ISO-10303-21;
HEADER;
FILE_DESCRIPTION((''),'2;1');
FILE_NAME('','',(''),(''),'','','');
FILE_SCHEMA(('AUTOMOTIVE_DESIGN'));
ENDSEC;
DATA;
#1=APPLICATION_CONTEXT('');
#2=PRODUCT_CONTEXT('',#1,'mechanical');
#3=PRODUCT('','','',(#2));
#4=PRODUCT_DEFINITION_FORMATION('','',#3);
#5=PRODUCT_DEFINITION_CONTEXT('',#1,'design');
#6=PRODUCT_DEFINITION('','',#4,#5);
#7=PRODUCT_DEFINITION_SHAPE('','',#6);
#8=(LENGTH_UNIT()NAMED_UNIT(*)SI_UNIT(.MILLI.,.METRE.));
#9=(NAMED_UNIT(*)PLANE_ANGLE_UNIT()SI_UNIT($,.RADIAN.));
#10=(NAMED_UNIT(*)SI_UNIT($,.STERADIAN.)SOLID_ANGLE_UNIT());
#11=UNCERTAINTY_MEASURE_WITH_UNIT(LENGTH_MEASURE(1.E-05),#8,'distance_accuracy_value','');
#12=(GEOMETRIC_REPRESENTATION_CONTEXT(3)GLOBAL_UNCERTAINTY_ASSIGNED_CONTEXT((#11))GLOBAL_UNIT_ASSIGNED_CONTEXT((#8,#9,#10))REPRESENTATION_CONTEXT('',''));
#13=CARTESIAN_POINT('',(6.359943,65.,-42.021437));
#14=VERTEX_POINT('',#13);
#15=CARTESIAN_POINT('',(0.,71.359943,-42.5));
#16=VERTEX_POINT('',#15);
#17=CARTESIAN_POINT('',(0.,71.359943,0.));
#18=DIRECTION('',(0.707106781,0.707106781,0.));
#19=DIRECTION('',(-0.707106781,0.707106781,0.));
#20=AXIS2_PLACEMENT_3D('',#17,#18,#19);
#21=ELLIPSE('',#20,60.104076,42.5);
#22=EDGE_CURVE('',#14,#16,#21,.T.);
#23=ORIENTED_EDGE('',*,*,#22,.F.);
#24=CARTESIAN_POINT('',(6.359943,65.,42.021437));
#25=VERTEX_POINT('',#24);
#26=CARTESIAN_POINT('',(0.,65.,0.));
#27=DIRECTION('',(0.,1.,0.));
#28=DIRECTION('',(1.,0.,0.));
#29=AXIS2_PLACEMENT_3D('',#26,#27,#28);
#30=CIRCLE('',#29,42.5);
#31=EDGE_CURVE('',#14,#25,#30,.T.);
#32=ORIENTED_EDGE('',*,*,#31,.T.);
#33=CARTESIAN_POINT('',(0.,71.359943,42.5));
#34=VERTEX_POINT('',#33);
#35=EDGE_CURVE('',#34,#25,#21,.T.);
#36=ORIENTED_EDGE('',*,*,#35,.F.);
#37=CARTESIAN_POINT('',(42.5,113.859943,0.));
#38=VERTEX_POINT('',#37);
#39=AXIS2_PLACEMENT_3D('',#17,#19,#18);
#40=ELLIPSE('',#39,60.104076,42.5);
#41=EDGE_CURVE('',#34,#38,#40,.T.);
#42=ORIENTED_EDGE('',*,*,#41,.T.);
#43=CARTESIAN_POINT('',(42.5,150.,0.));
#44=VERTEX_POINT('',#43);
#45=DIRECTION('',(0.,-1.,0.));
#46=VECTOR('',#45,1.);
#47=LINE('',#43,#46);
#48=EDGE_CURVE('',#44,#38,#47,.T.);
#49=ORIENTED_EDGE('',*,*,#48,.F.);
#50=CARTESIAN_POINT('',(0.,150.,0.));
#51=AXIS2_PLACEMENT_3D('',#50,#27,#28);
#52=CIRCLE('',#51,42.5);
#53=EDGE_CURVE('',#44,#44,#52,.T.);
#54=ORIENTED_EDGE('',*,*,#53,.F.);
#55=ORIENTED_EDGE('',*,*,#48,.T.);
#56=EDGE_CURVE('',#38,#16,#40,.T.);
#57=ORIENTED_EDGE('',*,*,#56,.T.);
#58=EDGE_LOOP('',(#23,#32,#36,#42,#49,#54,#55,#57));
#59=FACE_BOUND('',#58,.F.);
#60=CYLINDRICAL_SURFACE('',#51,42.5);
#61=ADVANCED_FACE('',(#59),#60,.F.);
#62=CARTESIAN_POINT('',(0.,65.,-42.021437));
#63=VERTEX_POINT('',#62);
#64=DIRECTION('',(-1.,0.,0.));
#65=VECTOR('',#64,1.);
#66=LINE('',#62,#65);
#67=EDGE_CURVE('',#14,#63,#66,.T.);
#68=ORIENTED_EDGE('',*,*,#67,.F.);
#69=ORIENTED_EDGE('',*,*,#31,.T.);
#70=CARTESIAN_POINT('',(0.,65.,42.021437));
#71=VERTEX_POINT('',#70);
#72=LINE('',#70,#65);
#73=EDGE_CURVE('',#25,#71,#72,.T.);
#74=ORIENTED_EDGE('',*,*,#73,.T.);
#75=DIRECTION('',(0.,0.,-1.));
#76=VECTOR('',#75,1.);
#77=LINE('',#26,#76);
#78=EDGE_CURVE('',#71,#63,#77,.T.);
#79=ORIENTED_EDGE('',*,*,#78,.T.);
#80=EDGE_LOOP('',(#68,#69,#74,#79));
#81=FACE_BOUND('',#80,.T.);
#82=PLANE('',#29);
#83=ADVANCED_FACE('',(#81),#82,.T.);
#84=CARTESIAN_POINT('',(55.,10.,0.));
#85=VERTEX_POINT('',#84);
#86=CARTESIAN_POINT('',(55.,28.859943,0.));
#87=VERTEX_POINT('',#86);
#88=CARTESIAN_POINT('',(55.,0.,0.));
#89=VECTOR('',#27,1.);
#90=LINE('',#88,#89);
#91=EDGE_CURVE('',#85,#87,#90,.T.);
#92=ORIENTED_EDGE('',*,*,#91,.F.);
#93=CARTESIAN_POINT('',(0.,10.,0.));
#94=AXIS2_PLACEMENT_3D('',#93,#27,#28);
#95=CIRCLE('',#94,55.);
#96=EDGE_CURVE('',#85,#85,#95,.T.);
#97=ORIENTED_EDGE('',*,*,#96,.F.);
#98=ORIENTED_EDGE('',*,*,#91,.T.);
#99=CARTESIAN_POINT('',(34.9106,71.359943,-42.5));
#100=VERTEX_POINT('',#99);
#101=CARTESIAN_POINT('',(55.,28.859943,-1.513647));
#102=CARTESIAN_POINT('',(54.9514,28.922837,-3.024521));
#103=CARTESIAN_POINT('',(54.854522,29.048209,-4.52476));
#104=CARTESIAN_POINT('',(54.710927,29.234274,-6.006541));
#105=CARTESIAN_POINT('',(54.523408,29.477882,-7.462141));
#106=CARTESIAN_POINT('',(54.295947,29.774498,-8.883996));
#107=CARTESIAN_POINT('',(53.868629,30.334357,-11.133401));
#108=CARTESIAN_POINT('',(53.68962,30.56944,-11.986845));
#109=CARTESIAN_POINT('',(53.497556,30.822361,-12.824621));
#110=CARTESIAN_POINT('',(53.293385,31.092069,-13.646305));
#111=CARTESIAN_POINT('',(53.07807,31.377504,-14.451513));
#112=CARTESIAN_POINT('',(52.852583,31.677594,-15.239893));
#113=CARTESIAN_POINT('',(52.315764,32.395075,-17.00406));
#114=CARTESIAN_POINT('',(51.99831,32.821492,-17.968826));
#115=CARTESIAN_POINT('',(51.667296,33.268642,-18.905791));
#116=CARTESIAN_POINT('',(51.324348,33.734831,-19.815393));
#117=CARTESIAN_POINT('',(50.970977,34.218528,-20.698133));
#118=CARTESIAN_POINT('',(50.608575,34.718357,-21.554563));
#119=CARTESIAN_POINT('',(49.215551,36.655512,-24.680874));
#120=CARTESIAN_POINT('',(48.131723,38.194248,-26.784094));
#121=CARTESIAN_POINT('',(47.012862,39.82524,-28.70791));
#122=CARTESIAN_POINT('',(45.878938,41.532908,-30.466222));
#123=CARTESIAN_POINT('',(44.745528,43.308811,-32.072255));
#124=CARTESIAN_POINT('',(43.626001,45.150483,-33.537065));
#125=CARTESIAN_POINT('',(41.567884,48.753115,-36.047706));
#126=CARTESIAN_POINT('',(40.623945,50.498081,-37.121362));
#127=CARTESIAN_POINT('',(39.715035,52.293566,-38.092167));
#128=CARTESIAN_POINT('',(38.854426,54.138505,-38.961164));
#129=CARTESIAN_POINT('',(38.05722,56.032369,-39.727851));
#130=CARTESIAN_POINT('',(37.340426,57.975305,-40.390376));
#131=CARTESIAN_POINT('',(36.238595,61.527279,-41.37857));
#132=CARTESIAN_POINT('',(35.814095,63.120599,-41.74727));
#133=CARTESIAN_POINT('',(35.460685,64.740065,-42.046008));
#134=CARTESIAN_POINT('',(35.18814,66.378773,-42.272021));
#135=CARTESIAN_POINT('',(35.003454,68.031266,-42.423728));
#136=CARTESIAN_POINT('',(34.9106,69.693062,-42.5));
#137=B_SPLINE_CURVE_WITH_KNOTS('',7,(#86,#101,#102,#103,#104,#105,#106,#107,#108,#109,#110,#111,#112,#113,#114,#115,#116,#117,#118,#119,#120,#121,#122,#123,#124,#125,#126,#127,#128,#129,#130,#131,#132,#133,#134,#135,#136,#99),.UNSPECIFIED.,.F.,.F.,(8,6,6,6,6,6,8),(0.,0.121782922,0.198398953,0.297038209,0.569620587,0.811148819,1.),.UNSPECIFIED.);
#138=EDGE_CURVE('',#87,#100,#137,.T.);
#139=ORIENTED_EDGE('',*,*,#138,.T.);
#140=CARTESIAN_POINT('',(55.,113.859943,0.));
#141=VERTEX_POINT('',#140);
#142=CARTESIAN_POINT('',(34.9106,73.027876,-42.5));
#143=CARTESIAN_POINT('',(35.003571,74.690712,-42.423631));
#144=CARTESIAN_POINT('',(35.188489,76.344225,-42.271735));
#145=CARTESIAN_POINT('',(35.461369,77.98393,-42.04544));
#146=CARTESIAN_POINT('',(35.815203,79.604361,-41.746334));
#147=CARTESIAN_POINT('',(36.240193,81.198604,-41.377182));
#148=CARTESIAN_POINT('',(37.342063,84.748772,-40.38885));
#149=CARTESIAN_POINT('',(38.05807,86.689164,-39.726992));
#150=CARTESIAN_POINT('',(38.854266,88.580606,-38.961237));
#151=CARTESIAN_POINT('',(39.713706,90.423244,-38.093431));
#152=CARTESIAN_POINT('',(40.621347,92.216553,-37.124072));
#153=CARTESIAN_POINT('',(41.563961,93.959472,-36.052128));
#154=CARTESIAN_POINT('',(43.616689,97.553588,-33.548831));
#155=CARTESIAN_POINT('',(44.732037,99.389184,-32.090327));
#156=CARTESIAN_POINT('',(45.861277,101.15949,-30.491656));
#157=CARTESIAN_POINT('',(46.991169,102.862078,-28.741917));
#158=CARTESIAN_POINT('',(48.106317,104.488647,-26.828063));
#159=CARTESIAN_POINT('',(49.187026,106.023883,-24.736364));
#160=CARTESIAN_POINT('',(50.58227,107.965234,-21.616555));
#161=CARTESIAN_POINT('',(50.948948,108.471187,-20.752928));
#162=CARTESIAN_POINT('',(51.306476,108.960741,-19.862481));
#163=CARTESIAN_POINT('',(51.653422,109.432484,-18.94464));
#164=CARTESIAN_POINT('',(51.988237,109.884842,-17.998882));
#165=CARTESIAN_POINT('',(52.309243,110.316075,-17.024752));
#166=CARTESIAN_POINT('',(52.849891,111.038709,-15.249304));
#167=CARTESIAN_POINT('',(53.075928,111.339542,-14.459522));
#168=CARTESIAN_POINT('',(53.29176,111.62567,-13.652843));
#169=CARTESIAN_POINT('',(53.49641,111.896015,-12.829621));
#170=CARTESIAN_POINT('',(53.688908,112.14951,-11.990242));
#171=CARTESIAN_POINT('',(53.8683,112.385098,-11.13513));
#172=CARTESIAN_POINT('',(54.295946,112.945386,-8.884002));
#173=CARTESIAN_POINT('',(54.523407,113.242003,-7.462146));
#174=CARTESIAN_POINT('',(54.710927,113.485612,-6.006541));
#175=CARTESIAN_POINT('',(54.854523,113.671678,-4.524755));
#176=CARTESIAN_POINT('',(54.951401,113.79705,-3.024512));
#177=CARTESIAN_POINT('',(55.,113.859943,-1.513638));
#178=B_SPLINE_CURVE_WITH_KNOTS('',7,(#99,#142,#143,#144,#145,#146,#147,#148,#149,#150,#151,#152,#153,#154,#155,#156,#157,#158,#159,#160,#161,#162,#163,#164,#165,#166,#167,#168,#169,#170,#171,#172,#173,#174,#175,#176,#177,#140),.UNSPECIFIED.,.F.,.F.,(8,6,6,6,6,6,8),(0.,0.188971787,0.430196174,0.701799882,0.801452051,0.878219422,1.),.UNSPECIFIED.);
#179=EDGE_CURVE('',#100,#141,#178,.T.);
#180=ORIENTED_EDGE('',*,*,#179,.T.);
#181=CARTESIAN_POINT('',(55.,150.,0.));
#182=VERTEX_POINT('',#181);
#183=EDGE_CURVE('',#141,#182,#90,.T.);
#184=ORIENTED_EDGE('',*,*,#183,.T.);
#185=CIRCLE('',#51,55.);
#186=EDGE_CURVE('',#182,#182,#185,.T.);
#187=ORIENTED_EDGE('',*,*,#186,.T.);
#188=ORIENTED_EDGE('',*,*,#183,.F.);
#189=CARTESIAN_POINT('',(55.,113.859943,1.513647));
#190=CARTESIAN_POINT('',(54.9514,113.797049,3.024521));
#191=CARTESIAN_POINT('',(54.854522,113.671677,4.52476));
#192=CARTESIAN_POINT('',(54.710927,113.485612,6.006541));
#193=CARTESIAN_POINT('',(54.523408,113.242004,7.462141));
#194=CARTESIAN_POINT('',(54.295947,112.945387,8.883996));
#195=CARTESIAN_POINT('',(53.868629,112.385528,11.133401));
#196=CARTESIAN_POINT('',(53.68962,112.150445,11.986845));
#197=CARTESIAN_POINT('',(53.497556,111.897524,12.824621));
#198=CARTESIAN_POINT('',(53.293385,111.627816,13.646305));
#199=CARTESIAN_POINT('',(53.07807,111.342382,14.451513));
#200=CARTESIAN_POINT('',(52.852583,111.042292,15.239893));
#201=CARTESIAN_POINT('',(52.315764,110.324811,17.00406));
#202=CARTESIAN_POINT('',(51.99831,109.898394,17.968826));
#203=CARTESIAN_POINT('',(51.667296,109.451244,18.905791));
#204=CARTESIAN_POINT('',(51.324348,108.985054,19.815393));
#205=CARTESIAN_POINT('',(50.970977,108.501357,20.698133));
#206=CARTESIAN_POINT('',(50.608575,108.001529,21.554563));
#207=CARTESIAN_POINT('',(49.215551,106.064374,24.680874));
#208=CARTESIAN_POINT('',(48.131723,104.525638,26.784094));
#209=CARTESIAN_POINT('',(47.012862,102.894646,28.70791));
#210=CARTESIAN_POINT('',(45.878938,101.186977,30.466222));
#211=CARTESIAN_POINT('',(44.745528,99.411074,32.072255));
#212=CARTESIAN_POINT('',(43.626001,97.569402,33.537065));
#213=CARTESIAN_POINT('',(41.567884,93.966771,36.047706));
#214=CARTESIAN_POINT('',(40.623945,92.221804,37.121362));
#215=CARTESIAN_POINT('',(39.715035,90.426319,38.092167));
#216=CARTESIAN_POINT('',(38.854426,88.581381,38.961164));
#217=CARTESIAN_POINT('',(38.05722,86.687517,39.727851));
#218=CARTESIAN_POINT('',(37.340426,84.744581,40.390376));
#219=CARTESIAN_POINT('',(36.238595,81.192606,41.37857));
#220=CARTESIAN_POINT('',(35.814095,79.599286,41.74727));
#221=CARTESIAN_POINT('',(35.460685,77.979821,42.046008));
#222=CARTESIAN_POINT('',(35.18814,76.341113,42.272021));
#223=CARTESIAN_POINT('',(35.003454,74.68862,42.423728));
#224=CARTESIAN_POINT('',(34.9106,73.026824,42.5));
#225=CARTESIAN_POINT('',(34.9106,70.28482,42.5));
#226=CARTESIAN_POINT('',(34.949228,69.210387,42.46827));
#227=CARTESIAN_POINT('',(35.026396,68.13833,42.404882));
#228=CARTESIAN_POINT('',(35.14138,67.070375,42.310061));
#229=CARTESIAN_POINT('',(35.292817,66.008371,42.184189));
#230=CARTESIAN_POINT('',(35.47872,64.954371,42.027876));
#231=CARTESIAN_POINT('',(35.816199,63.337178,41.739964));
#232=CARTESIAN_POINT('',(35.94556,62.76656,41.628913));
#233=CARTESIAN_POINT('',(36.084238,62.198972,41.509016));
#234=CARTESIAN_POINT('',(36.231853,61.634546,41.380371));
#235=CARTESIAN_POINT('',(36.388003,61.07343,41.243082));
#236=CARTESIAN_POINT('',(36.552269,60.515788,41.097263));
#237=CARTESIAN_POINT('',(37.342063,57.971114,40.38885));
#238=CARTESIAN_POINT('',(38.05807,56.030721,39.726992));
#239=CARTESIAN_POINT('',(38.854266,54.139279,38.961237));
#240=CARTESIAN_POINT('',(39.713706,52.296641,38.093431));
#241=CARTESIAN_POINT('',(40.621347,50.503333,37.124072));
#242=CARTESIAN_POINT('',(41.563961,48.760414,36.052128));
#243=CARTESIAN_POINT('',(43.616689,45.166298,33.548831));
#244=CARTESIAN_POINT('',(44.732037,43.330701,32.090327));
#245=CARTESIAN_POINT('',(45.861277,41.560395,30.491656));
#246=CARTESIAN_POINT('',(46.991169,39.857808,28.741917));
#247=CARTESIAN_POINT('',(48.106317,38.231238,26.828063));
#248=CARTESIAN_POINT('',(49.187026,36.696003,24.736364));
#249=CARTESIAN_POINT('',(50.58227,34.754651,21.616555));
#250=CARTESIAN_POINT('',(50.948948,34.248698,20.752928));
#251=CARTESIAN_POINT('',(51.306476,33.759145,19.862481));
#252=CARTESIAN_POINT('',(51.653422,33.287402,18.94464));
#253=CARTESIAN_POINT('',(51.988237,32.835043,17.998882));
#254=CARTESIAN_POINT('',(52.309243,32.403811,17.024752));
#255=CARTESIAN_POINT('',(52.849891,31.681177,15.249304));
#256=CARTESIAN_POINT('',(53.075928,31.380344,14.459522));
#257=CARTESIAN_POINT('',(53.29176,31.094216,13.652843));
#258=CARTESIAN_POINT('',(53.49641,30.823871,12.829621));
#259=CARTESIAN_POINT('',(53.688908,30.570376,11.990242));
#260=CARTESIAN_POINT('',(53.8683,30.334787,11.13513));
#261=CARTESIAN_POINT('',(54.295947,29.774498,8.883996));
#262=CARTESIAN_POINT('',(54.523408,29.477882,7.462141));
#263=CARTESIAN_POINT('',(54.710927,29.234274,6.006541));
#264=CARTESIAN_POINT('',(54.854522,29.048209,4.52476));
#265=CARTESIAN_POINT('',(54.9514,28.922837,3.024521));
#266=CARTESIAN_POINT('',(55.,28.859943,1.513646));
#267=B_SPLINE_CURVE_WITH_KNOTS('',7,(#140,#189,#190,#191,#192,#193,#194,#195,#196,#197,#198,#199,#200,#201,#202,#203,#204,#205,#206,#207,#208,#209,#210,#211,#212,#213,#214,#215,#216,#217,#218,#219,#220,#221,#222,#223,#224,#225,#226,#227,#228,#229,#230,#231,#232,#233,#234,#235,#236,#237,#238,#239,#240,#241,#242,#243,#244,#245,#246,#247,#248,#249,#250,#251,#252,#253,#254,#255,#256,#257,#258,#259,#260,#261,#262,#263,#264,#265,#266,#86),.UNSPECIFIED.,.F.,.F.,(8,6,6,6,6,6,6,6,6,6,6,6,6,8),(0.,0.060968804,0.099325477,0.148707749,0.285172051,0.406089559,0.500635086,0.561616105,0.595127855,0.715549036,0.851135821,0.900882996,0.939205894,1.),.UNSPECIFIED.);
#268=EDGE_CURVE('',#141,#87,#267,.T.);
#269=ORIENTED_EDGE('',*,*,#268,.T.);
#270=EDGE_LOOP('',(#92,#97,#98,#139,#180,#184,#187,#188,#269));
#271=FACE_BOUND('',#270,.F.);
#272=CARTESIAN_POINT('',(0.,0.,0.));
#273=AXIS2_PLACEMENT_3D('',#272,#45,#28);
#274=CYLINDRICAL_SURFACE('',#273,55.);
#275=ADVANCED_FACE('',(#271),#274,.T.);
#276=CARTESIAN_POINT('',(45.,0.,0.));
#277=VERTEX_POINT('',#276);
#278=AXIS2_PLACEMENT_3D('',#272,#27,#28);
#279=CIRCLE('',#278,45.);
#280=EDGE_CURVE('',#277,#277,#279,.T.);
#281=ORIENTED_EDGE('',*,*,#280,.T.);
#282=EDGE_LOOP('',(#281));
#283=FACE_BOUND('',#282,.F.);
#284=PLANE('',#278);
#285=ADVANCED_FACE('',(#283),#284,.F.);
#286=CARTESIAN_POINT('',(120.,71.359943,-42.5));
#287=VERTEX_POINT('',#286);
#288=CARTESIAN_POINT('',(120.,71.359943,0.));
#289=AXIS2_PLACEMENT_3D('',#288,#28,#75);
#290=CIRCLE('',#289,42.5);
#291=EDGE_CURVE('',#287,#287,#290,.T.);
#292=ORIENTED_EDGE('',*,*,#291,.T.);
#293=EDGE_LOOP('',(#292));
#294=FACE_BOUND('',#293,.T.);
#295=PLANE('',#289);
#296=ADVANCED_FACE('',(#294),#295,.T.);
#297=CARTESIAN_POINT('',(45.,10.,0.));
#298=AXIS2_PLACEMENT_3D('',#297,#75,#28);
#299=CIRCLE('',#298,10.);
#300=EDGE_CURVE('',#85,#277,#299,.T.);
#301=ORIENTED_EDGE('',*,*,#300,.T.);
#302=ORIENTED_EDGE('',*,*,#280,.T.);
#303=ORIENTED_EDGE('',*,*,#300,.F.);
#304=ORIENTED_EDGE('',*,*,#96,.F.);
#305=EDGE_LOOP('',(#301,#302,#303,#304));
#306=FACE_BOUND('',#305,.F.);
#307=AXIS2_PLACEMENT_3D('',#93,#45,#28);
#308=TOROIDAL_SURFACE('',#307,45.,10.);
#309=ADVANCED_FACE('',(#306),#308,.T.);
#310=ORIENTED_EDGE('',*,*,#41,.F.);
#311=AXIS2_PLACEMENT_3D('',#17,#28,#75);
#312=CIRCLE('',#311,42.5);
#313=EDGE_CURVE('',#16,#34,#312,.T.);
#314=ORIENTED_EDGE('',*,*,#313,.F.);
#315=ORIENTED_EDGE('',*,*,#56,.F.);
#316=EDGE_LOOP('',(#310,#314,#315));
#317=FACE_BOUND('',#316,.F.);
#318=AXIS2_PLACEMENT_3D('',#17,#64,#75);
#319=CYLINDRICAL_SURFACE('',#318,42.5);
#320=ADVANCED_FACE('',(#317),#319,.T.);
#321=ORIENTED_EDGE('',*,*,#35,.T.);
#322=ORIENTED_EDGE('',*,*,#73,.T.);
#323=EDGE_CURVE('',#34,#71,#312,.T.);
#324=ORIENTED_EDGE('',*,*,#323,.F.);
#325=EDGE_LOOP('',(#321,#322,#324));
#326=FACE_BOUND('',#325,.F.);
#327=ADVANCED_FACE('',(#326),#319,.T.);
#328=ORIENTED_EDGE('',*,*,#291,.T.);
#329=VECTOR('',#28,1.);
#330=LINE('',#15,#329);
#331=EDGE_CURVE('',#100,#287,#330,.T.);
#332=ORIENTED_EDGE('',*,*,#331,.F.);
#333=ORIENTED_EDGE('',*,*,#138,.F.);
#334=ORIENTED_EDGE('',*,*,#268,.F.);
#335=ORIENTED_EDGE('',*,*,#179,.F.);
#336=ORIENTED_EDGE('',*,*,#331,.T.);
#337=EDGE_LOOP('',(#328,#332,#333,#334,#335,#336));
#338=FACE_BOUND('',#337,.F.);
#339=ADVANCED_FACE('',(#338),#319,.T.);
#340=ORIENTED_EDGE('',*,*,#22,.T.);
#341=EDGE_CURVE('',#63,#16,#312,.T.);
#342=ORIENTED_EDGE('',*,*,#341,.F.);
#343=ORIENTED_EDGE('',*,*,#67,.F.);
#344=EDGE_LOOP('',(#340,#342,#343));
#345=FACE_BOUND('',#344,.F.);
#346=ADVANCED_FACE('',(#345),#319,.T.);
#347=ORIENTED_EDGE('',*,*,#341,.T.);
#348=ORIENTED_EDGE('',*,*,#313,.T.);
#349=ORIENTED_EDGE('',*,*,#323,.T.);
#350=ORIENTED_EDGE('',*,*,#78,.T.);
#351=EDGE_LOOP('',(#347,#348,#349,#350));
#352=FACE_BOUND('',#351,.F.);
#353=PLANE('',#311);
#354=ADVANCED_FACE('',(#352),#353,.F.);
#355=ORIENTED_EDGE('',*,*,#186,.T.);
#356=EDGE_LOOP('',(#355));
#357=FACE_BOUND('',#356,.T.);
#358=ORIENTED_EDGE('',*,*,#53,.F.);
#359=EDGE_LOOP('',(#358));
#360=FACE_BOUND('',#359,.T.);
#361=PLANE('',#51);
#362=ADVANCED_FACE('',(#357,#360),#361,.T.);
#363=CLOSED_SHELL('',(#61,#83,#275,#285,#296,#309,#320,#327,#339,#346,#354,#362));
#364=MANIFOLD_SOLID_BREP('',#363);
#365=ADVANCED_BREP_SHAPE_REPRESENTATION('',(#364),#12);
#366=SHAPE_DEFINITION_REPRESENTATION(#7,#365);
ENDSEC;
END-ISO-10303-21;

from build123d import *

# Parameters (mm, degrees)
SKETCH1_R           = 55
BOSS_EXTRUDE1_DEPTH = 150
FILLET1_R           = 10
SKETCH3_R           = 42.5
CUT_EXTRUDE2_DEPTH  = 85
SKETCH13_R          = 42.5
BOSS_EXTRUDE3_DEPTH = 120


with BuildPart() as part:
    # Sketch1 → Boss-Extrude1 (new body)
    with BuildSketch(Plane(origin=(0, 0, 0), x_dir=(1, 0, 0), z_dir=(0, 1, 0))):
        Circle(SKETCH1_R)
    extrude(amount=BOSS_EXTRUDE1_DEPTH)

    # Fillet1
    fillet1_edges = [part.edges().sort_by_distance(p)[0] for p in [
        (-55, 0, 0),
    ]]
    fillet(fillet1_edges, radius=FILLET1_R)

    # Sketch3 → Cut-Extrude2 (cut)
    with BuildSketch(Plane(origin=(0, 150, 0), x_dir=(1, 0, 0), z_dir=(0, 1, 0))):
        Circle(SKETCH3_R)
    extrude(amount=-CUT_EXTRUDE2_DEPTH, mode=Mode.SUBTRACT)

    # Sketch13 → Boss-Extrude3 (add)
    with BuildSketch(Plane(origin=(0, 0, 0), x_dir=(0, 0, -1), z_dir=(1, 0, 0))):
        with Locations((0, 71.359942757)):
            Circle(SKETCH13_R)
    extrude(amount=BOSS_EXTRUDE3_DEPTH)


solid = part.part
